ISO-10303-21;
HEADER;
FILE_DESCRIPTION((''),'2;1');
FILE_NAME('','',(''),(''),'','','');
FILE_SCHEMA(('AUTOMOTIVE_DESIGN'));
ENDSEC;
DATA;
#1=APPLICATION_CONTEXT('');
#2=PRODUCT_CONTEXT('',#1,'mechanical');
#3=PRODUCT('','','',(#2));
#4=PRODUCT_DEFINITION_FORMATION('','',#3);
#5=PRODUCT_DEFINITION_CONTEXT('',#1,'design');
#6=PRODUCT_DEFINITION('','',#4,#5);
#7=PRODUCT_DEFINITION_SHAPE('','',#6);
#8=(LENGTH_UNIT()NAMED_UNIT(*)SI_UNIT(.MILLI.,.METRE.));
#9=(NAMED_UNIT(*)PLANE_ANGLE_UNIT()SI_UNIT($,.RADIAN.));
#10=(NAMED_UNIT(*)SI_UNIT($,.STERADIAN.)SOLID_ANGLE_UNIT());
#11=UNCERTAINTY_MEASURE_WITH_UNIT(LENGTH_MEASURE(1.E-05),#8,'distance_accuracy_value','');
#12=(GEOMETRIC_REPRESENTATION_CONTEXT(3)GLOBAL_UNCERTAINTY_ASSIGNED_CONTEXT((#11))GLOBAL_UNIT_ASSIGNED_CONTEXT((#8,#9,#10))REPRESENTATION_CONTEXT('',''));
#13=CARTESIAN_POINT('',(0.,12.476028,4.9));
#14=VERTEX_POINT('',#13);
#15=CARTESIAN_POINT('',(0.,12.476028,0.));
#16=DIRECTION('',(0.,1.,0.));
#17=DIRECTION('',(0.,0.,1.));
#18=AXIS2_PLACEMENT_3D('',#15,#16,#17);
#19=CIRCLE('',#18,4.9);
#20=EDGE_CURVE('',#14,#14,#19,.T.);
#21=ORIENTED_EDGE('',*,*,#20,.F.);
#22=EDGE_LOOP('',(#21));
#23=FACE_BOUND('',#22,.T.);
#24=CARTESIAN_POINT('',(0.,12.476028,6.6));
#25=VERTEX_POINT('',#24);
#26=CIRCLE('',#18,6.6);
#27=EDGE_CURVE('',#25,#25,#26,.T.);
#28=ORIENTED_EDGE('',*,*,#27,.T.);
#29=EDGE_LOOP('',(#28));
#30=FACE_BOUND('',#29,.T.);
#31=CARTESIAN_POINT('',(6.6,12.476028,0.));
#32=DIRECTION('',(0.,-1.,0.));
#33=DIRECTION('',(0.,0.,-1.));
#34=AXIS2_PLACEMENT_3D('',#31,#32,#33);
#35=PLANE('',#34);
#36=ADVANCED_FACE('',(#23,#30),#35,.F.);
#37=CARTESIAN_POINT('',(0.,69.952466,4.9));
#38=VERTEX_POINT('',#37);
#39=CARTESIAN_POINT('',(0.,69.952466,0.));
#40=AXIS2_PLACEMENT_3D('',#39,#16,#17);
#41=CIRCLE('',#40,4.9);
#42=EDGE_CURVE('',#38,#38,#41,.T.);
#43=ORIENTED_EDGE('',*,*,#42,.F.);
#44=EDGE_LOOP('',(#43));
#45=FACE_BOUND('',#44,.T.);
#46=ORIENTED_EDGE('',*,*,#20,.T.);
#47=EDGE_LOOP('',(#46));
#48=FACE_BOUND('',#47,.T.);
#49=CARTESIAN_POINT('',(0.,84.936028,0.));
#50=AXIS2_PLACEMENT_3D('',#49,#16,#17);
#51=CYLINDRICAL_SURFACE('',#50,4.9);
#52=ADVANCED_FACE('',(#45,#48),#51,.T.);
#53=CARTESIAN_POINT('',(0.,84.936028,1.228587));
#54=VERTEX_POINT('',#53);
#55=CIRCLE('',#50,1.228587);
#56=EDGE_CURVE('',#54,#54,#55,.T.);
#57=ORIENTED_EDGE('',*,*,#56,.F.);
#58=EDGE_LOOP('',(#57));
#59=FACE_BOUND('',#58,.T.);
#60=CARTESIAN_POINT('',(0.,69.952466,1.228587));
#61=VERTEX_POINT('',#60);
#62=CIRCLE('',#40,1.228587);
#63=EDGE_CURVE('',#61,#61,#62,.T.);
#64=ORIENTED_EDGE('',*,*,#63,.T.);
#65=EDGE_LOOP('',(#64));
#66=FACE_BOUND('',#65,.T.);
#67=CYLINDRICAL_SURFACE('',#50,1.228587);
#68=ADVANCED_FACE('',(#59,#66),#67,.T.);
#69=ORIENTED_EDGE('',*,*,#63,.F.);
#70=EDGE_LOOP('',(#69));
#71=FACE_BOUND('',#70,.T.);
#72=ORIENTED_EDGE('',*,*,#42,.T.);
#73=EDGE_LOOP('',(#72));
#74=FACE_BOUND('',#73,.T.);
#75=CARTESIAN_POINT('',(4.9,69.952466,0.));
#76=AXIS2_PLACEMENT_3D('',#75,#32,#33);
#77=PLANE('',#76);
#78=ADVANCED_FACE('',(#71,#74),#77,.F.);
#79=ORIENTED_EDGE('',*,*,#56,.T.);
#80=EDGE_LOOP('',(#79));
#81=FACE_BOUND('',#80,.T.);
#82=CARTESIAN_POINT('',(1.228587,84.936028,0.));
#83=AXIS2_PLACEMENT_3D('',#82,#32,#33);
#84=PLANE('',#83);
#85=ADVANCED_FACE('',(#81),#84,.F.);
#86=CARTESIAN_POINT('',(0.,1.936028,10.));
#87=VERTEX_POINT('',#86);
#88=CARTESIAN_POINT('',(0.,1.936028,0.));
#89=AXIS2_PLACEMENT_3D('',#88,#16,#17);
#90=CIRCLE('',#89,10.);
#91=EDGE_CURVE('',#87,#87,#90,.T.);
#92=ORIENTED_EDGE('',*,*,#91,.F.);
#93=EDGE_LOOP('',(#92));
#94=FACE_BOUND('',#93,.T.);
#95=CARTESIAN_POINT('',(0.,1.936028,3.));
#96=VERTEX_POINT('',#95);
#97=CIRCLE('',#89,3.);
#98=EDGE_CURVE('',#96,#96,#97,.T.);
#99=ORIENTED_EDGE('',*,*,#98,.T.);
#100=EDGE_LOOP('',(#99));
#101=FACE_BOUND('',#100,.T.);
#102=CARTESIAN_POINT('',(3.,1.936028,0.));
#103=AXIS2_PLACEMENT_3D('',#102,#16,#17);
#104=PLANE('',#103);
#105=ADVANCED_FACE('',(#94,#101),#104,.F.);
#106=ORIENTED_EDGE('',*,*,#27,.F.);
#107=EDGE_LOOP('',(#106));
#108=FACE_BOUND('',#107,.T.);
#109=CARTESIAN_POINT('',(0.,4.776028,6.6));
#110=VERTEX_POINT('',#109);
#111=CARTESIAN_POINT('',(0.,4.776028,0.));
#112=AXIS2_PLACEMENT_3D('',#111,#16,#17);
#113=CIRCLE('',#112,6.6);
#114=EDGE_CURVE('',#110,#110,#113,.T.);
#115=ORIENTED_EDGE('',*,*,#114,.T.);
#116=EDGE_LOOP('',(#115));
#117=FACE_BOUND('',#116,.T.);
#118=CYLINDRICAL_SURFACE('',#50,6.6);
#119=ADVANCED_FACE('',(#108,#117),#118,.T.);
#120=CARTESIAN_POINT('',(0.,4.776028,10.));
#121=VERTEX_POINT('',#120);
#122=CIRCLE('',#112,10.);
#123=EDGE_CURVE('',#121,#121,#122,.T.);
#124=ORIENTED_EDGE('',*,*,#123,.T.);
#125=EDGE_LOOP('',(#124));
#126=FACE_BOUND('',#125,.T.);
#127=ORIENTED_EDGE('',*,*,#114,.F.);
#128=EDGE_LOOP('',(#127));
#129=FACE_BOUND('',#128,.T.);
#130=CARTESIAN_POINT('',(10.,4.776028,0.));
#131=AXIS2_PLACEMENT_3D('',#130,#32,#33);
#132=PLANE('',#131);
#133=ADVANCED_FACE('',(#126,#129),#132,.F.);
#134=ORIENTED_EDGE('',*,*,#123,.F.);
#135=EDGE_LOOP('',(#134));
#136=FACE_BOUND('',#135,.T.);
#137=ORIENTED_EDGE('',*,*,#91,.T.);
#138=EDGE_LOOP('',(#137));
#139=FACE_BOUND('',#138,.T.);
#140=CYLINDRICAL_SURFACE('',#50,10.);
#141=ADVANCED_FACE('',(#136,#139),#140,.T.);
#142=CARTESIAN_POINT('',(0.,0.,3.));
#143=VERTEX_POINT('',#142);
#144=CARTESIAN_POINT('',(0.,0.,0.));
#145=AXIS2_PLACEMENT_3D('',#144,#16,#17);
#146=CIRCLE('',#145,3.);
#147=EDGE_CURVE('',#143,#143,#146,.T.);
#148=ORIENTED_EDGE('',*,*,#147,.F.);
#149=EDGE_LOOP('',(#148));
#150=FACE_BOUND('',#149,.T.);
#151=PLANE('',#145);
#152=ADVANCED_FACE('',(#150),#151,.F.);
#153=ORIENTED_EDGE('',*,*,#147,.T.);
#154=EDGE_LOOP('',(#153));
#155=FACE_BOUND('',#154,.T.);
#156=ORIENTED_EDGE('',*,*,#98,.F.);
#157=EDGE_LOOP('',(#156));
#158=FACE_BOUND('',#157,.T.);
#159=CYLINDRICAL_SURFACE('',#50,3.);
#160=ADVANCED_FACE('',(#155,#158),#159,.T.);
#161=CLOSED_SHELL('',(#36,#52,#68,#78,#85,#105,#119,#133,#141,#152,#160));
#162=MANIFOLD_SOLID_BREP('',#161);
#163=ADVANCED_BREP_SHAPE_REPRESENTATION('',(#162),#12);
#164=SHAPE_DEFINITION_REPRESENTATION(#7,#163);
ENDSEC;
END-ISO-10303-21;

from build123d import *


with BuildPart() as part:
    # Sketch1 → Revolve1 (revolve)
    with BuildSketch(Plane.XY, mode=Mode.PRIVATE) as revolve1_sk:
        Polygon((0, 0), (3, 0), (3, 1.936027853), (10, 1.936027853), (10, 4.776027853), (6.6, 4.776027853), (6.6, 12.476027853), (4.9, 12.476027853), (4.9, 69.952466449), (1.228586646, 69.952466449), (1.228586646, 84.936027853), (0, 84.936027853), align=None)
    revolve(revolve1_sk.sketch.rotate(Axis((0, 84.936027853, 0), (0, -1, 0)), 90), axis=Axis((0, 84.936027853, 0), (0, -1, 0)))


solid = part.part
